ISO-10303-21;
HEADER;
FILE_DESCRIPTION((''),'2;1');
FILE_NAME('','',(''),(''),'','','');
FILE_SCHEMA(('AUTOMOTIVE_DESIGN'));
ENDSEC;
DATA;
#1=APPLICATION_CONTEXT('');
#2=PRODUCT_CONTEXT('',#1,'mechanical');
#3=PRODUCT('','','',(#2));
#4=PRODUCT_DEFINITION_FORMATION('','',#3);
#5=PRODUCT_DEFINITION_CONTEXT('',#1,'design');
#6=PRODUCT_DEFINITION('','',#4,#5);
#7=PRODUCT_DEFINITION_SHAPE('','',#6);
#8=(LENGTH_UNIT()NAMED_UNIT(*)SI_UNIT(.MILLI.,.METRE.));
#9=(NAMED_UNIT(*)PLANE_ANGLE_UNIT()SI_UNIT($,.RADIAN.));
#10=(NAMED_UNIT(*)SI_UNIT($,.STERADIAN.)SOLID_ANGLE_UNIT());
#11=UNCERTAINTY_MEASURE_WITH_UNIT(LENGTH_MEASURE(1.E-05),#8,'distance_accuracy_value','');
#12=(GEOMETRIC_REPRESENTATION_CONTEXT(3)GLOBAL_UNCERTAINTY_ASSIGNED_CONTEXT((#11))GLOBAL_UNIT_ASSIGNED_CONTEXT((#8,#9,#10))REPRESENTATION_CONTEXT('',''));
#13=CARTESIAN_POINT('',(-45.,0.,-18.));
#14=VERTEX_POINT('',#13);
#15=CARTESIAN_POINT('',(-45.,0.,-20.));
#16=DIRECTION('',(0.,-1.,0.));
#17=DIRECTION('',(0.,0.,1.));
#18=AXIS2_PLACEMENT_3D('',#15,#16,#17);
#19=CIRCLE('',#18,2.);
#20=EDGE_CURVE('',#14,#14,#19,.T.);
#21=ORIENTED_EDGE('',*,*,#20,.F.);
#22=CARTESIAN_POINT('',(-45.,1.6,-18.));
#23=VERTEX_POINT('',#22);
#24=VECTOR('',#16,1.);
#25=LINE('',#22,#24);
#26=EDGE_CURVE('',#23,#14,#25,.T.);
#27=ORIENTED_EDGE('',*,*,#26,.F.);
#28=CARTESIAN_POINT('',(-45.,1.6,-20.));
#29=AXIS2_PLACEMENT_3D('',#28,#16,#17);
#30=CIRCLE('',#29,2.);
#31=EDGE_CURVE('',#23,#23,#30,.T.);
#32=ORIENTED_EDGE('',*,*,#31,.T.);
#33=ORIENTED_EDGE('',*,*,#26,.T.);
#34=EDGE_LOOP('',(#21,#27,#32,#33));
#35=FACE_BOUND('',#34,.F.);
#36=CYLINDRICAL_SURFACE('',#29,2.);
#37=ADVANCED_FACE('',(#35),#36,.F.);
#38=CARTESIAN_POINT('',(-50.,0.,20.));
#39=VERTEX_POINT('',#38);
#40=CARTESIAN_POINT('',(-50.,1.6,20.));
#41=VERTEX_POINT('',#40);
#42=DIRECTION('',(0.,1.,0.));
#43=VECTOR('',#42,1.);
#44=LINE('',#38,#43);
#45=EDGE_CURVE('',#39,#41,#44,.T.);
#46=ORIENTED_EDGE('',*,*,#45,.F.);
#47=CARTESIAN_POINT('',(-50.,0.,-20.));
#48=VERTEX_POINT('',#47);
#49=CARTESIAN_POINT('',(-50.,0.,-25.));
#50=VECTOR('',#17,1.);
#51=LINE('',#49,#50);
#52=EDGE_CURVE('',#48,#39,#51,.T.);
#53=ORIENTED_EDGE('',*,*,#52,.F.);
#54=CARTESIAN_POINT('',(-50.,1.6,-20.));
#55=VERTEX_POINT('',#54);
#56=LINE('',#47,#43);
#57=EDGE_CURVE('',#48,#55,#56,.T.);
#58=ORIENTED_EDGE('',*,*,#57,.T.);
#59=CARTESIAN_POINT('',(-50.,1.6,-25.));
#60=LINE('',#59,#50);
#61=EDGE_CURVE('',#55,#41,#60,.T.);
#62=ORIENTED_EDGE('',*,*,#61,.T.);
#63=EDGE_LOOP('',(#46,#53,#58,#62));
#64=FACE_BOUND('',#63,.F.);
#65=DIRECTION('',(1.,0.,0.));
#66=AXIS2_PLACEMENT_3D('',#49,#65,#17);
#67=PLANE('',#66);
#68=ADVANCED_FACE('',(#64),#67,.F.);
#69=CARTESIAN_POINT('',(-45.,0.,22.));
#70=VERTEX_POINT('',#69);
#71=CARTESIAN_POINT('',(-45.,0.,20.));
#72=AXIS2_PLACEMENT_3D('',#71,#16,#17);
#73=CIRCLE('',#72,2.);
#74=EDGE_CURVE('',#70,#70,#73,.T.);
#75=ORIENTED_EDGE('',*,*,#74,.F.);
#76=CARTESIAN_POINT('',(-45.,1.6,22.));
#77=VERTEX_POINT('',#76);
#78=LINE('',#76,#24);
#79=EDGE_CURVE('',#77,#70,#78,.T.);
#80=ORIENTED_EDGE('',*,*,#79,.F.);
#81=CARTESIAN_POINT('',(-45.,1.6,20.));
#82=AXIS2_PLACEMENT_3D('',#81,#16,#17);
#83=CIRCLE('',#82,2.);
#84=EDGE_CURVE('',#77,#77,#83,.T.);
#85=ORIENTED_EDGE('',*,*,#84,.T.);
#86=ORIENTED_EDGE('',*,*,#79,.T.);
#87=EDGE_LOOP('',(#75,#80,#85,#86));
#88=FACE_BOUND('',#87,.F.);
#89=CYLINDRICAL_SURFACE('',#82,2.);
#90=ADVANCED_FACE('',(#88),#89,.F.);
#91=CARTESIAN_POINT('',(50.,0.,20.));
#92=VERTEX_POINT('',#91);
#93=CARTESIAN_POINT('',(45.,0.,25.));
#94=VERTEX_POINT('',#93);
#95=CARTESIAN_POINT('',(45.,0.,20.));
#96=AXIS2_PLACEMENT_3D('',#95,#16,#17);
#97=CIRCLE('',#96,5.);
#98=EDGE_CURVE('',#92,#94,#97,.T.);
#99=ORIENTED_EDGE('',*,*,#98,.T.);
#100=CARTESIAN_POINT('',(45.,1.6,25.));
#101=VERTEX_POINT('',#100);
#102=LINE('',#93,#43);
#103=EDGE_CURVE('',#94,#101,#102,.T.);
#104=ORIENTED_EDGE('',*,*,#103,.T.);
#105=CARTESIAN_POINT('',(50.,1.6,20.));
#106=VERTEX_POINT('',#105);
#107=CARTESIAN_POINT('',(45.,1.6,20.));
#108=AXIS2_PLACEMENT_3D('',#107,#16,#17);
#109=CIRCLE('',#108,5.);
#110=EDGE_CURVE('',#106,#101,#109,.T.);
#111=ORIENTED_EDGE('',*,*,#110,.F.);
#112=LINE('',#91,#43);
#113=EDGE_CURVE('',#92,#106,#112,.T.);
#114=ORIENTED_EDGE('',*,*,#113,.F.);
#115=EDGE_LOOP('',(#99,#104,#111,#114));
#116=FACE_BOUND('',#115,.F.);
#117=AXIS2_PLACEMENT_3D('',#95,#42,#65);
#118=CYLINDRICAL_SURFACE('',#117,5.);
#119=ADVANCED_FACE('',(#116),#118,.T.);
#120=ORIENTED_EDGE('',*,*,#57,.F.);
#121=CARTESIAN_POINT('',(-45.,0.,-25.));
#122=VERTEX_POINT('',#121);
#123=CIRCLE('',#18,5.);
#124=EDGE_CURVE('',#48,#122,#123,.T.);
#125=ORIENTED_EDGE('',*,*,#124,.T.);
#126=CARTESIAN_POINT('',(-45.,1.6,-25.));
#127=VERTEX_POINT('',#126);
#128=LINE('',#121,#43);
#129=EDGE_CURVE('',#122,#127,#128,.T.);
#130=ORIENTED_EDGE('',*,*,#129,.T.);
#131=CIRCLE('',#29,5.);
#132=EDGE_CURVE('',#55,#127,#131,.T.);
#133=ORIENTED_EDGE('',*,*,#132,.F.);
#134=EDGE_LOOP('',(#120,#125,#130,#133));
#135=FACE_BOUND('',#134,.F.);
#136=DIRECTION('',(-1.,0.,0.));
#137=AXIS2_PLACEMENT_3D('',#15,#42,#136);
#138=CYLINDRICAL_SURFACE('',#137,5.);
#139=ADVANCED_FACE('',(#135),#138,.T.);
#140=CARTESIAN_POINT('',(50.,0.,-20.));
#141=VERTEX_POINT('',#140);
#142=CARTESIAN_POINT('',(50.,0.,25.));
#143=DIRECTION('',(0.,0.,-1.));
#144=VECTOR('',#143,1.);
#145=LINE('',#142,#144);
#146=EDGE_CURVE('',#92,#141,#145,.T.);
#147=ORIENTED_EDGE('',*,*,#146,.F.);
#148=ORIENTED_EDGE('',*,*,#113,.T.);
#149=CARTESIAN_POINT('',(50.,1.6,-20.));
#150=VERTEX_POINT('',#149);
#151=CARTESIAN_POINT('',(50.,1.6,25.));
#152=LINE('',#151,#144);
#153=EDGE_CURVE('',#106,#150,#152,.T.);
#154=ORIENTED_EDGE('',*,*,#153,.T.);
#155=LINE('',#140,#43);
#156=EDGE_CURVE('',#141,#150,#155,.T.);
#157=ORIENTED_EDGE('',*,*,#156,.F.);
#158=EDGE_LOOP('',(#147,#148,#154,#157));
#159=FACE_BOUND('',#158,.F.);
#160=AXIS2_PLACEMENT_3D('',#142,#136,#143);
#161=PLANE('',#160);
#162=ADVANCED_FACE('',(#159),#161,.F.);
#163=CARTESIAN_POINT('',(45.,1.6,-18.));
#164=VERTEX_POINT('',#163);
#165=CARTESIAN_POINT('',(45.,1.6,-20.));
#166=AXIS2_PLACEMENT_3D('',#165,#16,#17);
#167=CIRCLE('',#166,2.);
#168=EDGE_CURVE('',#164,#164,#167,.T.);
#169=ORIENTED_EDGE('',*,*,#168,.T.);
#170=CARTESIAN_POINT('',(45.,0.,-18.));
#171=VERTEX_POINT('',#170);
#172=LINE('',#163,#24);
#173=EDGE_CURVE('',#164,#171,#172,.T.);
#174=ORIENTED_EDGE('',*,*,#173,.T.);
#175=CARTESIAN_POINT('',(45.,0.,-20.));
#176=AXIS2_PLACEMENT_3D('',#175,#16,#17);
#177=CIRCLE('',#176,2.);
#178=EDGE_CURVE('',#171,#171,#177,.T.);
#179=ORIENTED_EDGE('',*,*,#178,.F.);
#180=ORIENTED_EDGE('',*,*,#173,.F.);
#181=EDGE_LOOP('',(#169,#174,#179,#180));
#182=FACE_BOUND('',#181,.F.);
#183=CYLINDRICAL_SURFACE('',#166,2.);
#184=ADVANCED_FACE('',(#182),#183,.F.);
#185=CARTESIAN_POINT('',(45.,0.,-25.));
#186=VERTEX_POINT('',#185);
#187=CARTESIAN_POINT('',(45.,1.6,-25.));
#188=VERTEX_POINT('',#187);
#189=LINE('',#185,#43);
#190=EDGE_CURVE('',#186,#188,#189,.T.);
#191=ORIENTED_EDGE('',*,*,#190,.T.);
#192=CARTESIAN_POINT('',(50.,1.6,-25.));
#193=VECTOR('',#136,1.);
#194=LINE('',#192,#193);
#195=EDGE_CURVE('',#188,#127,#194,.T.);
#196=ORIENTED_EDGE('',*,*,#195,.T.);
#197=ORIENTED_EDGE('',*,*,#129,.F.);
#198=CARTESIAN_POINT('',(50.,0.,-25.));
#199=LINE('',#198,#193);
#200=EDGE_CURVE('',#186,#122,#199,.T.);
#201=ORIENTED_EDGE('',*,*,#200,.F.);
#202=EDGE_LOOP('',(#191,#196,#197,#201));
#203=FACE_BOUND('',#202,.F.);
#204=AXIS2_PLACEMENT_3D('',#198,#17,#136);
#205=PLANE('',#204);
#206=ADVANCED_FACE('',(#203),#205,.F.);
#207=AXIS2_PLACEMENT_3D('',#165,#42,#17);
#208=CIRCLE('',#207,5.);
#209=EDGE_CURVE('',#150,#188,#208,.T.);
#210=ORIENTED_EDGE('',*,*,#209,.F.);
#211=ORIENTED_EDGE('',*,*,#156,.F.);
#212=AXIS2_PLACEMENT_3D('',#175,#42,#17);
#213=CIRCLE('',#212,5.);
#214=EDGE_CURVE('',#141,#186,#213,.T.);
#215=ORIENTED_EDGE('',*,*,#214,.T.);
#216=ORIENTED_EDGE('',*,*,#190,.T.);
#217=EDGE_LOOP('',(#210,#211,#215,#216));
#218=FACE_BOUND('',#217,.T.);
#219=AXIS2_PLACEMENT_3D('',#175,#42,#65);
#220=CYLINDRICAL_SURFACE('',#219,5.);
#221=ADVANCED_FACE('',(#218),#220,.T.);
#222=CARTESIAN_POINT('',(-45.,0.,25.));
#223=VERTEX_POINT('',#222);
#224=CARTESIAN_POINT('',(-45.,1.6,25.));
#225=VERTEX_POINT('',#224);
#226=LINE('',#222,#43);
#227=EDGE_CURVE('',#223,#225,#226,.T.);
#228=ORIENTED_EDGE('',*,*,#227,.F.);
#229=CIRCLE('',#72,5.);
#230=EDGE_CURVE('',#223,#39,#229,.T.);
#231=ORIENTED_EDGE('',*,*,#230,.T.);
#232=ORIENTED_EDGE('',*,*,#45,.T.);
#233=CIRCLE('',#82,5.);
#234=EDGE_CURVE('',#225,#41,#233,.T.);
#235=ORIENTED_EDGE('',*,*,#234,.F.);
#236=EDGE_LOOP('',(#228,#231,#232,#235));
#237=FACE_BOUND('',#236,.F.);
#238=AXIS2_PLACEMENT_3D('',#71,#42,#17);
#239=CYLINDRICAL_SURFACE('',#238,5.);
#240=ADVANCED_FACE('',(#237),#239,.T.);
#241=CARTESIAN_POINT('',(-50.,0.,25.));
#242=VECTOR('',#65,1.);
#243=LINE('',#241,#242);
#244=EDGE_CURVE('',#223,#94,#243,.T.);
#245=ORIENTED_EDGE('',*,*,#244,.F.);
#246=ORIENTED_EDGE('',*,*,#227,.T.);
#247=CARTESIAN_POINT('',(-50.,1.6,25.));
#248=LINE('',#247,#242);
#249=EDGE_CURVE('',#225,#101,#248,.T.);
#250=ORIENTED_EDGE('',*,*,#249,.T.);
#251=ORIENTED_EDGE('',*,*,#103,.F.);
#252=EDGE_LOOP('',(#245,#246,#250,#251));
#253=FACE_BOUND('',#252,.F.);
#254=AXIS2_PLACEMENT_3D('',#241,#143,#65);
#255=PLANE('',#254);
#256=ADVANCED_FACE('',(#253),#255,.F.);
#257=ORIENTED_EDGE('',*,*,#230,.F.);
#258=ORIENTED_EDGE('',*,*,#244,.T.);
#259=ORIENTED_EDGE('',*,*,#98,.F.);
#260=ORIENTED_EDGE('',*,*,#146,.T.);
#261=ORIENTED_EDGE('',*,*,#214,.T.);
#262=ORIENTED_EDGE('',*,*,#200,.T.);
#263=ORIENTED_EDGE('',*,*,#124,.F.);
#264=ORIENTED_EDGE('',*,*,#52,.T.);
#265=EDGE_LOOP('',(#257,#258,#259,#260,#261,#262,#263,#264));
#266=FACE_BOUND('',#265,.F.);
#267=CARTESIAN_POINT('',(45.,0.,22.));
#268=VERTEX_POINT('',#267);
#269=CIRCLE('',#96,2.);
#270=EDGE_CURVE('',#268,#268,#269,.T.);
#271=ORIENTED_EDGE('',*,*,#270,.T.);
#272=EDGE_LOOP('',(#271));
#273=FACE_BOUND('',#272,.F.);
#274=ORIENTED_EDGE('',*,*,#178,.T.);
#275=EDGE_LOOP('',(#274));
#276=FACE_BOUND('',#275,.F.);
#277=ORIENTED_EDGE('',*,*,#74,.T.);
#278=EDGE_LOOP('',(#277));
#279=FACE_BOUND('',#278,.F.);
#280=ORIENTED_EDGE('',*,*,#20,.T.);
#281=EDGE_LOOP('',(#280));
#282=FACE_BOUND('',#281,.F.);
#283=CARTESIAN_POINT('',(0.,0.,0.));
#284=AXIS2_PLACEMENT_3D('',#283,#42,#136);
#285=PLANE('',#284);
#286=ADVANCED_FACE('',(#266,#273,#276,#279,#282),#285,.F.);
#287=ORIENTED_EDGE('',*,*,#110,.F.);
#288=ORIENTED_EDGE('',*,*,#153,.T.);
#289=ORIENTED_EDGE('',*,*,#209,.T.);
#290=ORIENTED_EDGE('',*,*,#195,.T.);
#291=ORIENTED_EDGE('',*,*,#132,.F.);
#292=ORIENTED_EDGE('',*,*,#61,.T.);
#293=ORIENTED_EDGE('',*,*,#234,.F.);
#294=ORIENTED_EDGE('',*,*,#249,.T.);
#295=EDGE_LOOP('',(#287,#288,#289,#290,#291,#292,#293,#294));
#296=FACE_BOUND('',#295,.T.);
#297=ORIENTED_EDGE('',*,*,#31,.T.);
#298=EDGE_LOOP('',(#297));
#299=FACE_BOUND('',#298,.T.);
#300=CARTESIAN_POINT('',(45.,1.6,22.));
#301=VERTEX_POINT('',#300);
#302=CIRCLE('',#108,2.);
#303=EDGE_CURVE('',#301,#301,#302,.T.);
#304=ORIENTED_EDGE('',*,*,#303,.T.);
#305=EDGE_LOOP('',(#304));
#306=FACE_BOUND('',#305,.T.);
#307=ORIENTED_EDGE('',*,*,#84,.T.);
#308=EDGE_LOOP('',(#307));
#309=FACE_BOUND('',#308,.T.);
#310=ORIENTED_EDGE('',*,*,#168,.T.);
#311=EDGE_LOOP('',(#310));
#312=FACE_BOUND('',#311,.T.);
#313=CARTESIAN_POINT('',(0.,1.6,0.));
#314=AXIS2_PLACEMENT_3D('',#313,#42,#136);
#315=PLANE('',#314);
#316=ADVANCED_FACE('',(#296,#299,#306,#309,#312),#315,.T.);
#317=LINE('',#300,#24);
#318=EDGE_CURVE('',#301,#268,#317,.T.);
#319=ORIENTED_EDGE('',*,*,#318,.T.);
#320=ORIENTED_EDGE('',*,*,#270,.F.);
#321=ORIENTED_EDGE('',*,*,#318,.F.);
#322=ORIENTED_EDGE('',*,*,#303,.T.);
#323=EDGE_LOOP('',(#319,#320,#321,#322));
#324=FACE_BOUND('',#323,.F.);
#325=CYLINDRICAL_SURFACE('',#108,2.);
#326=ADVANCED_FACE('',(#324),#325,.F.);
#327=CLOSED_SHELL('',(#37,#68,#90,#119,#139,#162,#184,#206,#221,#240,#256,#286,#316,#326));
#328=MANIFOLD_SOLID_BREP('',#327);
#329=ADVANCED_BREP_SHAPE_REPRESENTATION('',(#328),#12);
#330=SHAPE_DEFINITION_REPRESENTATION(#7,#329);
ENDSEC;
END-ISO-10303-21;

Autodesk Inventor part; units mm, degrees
ref_plane "YZ Plane" through (0, 0, 0) normal (1, 0, 0) x (0, 1, 0)
ref_plane "XZ Plane" through (0, 0, 0) normal (0, 1, 0) x (-1, 0, 0)
ref_plane "XY Plane" through (0, 0, 0) normal (0, 0, 1) x (1, 0, 0)
sketch "Sketch1" plane through (0, 0, 0) normal (0, 1, 0) x (-1, 0, 0)
  line L0 (-50, -25) -> (50, -25)
  line L1 (50, -25) -> (50, 25)
  line L2 (50, 25) -> (-50, 25)
  line L3 (-50, 25) -> (-50, -25)
  line L4 (-50, -25) -> (50, 25) construction
  line L5 (50, -25) -> (-50, 25) construction
  point P0 (0, 0)
  dimension "d0" = 100
  dimension "d1" = 50
extrude "Extrusion1" add sketch "Sketch1" along normal blind 1.6
fillet "Fillet1" radius 5 4 edges at (50, 0.8, 25) (-50, 0.8, 25) (-50, 0.8, -25) (50, 0.8, -25)
sketch "Sketch2" plane through (0, 1.6, 0) normal (0, 1, 0) x (1, 0, 0)
  arc A0 (50, 20) -> (45, 25) centre (45, 20) ccw projected
  arc A1 (-45, 25) -> (-50, 20) centre (-45, 20) ccw projected
  arc A2 (-50, -20) -> (-45, -25) centre (-45, -20) ccw projected
  arc A3 (45, -25) -> (50, -20) centre (45, -20) ccw projected
  point P0 (0, 0)
hole "Hole1" at (-45, 1.6, -20) at (-45, 1.6, 20) at (45, 1.6, 20) at (45, 1.6, -20) direction (0, -1, 0) diameter 4 end through all
properties part number "PCB"
